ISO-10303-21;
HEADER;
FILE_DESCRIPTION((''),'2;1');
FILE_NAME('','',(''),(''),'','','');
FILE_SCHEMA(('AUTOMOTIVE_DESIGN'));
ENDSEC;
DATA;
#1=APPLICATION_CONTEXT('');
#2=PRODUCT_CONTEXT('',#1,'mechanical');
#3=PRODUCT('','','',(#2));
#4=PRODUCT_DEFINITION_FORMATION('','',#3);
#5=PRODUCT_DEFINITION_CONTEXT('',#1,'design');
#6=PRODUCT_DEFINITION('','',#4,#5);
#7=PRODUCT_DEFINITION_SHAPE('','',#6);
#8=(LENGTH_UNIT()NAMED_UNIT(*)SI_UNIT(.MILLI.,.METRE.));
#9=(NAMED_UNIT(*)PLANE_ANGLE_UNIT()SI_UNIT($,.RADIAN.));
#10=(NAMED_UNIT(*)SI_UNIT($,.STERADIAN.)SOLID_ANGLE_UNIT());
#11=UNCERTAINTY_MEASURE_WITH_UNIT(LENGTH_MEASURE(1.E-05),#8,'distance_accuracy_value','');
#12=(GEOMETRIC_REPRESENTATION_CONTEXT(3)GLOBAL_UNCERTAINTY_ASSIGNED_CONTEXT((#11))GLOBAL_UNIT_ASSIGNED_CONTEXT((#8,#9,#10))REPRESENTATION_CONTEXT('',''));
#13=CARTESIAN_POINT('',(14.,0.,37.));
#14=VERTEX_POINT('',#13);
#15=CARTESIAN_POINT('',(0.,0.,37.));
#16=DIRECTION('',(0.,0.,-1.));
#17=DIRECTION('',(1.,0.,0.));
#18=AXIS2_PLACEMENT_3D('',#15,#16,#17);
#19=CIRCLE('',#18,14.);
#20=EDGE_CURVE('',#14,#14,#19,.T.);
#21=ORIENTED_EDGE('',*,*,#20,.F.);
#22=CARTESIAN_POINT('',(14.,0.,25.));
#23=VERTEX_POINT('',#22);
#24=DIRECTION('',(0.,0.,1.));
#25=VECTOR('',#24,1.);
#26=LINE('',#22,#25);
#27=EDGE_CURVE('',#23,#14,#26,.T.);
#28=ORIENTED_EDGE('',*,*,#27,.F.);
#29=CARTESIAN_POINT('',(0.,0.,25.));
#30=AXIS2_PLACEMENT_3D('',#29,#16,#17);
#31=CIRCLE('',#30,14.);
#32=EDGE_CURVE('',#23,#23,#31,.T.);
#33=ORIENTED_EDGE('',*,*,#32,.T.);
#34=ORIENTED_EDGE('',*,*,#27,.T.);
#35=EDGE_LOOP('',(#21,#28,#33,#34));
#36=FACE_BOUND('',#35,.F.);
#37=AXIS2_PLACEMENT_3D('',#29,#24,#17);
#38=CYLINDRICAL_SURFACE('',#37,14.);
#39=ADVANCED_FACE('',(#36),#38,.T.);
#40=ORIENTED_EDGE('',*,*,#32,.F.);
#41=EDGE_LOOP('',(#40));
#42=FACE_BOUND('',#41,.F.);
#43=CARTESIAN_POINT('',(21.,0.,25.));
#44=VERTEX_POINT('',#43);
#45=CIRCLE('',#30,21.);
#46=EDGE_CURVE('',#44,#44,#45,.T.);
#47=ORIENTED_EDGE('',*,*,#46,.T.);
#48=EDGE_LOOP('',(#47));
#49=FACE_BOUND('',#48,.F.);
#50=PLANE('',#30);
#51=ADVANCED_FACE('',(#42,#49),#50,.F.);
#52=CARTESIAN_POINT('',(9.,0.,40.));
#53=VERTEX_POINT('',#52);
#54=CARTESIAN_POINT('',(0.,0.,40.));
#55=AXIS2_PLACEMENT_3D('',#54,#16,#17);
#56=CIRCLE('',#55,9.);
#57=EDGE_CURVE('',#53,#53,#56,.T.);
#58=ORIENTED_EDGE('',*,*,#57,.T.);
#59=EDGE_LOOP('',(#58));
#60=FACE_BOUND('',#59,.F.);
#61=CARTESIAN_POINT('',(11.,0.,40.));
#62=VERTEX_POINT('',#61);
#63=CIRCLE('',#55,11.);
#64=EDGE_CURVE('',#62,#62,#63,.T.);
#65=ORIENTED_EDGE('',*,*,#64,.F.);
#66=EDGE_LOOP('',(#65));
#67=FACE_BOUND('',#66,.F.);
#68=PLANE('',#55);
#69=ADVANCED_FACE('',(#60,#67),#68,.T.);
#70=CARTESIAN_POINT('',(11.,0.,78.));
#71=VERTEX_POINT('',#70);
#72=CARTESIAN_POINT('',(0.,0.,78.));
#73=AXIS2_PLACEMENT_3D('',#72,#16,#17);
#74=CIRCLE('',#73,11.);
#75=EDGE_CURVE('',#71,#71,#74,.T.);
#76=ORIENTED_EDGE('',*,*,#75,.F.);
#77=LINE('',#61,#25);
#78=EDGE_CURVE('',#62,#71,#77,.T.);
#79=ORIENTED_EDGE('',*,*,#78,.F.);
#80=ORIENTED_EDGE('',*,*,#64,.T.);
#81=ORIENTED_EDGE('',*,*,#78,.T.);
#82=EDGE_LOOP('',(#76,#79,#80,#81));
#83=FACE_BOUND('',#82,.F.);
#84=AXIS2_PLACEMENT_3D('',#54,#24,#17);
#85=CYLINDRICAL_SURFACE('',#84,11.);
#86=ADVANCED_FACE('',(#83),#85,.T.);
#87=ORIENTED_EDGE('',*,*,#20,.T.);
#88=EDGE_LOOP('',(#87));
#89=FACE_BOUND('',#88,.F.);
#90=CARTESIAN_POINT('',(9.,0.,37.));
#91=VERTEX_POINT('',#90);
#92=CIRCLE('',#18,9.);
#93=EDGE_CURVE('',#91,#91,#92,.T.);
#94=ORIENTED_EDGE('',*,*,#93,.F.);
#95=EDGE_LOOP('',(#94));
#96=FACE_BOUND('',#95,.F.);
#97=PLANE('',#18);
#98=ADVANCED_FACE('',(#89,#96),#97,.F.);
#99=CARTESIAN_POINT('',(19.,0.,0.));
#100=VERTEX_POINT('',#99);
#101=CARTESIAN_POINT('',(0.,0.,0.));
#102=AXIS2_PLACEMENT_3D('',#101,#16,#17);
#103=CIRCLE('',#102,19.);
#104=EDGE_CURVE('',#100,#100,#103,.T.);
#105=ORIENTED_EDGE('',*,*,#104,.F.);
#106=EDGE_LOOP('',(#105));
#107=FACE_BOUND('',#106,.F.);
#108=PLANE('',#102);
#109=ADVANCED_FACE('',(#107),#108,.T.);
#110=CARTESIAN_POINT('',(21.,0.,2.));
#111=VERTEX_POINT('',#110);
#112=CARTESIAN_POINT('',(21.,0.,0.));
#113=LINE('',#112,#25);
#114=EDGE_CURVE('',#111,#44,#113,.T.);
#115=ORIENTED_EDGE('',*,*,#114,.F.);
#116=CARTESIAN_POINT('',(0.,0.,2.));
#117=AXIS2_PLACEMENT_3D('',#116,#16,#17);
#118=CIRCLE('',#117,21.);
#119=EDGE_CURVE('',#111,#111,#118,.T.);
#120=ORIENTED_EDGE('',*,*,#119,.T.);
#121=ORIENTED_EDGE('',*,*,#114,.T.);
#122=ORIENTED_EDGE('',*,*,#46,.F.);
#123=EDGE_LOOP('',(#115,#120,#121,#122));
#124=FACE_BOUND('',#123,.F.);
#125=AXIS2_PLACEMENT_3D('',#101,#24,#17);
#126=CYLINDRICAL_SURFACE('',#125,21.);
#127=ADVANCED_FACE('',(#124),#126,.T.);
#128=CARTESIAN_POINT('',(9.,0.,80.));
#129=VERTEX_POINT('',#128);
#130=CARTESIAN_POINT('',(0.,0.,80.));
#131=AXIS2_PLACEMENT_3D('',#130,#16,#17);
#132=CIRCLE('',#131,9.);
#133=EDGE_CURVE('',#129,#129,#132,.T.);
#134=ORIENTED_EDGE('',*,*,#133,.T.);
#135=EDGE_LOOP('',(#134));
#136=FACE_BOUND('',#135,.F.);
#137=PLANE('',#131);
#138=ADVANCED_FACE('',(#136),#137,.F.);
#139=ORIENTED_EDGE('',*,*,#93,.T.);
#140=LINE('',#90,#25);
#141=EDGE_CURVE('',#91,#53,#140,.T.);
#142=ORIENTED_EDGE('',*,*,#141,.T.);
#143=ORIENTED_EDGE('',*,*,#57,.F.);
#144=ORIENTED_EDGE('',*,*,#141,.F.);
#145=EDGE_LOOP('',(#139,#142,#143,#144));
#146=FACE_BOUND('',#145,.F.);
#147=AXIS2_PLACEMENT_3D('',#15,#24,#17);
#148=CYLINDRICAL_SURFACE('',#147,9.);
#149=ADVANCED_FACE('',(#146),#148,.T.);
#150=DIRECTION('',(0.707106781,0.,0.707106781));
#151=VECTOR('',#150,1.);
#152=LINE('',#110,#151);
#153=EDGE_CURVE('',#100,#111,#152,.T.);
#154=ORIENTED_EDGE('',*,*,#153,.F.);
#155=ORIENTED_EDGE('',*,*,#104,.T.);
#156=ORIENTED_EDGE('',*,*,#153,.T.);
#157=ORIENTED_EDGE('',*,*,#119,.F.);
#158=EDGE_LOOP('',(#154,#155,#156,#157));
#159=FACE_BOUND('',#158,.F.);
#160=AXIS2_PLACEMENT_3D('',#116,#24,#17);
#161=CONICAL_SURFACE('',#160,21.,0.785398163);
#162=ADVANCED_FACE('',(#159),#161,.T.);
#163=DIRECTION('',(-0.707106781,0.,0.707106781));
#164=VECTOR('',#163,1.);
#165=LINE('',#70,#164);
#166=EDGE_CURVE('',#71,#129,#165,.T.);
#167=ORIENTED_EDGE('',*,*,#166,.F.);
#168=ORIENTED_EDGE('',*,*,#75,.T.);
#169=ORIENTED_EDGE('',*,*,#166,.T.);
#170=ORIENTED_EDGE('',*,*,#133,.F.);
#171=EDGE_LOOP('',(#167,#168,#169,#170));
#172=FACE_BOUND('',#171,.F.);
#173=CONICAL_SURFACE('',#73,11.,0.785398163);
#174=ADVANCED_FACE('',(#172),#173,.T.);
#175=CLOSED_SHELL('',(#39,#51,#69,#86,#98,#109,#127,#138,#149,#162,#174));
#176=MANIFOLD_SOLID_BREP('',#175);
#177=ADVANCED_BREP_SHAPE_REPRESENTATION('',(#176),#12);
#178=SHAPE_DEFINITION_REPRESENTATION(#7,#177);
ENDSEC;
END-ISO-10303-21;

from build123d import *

# Parameters (mm, degrees)
F2_SIZE2 = 2
F2_SIZE  = 2


with BuildPart() as f1:
    # F0 (on Front) → F1 (revolve)
    with BuildSketch(Plane.XZ):
        Polygon((0, 80), (0, 0), (21, 0), (21, 25), (14, 25), (14, 37), (9, 37), (9, 40), (11, 40), (11, 80), align=None)
    revolve(axis=Axis((0, 0, 40), (0, 0, -1)))

    # F2
    f2_edges = [f1.edges().sort_by_distance(p)[0] for p in [
        (-11, 0, 80),
        (-21, 0, 0),
    ]]
    chamfer(f2_edges, length=F2_SIZE, length2=F2_SIZE2)


solid = f1.part
